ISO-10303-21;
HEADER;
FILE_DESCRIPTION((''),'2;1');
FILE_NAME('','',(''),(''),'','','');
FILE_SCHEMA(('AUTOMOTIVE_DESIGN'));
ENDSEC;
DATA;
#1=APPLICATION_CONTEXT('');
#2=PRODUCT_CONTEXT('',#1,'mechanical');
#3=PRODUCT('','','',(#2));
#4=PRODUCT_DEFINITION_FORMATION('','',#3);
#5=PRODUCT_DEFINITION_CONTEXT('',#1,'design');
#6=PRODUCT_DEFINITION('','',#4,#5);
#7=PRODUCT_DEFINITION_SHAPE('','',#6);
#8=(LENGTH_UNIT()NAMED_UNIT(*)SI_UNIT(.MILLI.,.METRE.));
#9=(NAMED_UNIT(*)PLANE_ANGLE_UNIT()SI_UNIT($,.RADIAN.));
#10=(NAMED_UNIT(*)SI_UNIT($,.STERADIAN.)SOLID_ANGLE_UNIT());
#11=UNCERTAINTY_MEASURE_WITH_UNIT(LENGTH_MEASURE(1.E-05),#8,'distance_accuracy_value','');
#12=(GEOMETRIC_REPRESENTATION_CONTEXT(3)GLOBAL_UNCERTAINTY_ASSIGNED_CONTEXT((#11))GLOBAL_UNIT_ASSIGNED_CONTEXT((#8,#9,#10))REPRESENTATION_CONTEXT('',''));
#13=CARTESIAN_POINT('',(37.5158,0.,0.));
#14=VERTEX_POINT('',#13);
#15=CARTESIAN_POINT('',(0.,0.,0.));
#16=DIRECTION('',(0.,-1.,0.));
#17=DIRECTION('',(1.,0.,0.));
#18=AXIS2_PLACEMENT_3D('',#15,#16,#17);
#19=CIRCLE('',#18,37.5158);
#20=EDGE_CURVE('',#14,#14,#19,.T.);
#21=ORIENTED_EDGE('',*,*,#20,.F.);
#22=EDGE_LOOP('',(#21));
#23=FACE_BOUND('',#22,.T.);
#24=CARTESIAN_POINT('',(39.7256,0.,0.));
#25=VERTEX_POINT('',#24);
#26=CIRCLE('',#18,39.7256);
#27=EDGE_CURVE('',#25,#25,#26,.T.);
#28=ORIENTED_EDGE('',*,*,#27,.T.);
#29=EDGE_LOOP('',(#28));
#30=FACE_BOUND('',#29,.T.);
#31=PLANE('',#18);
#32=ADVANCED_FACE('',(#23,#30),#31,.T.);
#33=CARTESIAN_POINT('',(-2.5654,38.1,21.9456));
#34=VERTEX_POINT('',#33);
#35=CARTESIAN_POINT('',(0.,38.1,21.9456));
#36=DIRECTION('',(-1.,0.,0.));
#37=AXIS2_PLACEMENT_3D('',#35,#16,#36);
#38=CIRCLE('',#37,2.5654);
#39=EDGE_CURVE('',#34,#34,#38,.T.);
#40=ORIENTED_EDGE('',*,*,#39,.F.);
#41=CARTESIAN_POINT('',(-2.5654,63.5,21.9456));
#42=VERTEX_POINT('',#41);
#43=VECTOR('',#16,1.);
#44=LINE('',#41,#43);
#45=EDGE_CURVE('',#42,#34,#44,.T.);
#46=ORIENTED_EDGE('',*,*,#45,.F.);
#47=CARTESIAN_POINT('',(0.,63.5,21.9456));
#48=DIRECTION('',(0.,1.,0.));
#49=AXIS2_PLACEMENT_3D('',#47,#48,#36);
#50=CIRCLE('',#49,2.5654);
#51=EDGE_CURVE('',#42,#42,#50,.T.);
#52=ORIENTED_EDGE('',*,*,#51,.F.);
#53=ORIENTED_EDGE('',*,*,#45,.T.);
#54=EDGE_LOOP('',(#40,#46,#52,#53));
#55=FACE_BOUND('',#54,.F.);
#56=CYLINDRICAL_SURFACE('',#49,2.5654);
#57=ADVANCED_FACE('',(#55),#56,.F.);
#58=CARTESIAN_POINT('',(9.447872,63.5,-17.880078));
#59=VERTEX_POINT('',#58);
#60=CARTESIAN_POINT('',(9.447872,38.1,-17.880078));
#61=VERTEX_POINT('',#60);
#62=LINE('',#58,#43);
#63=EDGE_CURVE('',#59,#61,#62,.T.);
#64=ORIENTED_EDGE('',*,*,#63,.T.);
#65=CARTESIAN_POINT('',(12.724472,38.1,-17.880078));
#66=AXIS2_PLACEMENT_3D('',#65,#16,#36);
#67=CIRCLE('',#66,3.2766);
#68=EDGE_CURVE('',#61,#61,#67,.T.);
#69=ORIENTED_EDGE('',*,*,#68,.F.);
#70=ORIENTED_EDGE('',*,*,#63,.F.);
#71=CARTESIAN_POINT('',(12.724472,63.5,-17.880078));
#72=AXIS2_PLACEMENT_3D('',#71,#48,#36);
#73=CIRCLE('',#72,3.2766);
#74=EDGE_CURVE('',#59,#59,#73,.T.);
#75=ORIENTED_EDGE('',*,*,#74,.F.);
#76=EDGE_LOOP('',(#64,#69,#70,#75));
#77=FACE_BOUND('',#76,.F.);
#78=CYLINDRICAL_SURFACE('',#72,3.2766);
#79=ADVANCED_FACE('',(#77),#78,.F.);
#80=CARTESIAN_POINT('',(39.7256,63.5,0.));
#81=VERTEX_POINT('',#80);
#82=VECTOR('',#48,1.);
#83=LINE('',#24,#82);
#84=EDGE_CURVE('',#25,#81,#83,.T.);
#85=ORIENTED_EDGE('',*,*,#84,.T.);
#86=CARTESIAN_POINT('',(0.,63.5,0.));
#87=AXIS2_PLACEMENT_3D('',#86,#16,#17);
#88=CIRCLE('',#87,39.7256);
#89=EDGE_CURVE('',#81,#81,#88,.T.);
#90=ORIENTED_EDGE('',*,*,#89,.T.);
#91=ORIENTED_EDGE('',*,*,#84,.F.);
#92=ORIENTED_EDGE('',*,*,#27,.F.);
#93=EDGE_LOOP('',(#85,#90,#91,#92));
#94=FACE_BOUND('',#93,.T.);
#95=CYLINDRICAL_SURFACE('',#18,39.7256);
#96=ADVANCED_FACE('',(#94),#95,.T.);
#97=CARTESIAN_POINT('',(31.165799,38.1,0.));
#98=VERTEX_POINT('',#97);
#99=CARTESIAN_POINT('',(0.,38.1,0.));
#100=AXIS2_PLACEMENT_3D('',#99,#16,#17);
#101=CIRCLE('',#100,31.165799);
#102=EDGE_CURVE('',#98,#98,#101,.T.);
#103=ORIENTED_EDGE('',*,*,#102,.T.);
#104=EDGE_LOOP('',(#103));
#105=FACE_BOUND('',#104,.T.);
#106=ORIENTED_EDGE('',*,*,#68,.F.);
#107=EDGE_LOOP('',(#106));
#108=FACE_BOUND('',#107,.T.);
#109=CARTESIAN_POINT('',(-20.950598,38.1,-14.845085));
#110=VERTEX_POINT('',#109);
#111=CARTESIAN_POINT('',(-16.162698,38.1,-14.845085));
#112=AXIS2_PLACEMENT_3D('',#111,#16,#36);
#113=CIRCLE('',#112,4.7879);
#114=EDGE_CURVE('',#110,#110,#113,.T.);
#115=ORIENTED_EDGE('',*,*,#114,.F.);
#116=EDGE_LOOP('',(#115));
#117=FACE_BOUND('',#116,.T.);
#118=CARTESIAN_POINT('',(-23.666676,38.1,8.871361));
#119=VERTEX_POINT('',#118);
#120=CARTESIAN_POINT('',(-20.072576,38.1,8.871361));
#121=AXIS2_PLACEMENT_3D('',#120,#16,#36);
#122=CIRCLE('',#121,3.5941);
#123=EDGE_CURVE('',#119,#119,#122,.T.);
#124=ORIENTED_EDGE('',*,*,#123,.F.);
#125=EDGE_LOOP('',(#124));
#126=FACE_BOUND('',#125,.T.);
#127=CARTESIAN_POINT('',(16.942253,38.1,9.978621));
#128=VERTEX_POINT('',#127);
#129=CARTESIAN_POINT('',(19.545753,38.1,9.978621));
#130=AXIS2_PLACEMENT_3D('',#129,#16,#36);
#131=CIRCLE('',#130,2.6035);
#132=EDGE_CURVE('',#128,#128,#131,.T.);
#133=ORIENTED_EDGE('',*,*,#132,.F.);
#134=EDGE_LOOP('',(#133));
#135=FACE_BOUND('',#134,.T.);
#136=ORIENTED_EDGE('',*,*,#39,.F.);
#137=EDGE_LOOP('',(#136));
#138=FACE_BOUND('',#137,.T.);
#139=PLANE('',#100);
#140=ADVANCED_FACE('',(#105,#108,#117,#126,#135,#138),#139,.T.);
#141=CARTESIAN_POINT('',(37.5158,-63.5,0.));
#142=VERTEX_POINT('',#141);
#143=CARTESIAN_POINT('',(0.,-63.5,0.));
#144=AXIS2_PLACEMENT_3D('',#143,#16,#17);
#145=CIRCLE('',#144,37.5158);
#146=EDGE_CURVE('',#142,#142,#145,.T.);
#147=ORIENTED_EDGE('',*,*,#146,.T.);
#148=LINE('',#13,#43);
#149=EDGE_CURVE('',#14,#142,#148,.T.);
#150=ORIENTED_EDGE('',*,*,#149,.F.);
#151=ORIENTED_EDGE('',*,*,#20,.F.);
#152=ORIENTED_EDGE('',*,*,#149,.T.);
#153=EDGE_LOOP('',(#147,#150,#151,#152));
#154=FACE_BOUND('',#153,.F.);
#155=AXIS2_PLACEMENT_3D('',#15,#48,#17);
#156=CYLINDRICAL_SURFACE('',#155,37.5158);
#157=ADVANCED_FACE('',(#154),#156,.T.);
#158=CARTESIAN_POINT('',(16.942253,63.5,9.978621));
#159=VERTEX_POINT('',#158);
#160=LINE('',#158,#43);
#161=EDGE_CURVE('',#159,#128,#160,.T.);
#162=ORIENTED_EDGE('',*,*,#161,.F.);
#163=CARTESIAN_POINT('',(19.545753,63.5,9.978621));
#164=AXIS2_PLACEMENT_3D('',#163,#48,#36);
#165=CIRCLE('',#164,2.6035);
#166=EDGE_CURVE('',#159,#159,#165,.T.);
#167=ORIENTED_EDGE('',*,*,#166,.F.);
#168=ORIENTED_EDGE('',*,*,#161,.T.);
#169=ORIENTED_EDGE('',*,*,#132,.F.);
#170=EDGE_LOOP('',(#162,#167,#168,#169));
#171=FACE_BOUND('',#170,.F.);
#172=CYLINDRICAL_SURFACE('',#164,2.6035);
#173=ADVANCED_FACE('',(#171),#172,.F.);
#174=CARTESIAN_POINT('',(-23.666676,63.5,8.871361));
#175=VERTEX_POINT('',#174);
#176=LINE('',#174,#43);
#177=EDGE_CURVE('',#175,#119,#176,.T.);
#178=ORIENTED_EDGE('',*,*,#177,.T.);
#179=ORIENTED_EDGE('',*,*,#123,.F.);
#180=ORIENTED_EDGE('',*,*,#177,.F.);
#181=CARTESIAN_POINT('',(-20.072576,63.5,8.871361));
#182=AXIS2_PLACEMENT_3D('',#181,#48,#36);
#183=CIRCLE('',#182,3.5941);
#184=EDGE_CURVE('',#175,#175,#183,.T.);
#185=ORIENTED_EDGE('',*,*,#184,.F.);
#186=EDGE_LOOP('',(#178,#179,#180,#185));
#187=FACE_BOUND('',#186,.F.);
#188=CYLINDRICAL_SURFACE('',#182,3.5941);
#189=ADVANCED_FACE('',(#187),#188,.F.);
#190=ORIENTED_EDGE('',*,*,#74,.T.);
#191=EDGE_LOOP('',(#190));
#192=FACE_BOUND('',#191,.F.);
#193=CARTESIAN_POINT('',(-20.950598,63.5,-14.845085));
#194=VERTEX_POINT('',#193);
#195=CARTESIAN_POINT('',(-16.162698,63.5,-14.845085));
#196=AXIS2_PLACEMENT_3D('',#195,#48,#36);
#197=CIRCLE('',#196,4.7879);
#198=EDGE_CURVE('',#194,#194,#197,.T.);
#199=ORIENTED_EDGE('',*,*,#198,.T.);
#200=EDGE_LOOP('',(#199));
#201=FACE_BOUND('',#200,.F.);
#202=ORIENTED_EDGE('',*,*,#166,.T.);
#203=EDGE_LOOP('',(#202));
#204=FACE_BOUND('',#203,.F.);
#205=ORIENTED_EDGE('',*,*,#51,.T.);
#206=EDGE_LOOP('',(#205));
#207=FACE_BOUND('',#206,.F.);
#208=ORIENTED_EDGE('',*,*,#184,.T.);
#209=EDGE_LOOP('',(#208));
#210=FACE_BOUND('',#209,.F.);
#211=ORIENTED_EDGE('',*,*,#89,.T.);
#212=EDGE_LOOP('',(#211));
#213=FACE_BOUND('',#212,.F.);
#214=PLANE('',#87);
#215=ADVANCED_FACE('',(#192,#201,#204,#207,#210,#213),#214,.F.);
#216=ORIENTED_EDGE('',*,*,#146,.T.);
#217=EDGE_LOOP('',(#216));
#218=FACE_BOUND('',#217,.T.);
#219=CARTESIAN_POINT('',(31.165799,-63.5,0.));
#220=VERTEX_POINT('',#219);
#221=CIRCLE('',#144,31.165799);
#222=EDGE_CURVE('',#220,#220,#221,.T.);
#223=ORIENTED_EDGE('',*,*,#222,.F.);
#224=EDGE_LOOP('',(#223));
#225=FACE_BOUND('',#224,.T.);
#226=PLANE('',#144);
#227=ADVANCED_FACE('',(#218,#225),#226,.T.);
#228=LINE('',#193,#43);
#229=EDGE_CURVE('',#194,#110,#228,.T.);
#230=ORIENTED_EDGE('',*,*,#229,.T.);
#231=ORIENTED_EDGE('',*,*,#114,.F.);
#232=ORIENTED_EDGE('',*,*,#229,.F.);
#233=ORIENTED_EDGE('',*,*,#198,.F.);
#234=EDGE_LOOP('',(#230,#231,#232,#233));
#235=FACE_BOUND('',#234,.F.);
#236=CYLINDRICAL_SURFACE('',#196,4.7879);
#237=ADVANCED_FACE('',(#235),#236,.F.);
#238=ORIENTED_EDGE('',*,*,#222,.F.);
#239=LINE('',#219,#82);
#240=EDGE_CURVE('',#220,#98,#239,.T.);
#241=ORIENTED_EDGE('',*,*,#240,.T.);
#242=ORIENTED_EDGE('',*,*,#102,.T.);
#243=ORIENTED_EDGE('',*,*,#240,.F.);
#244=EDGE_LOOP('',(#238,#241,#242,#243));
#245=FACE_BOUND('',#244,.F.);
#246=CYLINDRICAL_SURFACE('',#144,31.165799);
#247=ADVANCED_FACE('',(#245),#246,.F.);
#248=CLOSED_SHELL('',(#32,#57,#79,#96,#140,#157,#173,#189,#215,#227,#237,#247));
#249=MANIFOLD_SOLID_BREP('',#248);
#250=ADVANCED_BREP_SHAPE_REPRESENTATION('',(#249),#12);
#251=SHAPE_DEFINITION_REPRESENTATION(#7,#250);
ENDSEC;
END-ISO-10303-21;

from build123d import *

# Parameters (mm, degrees)
F0_R     = 37.5158
F2_DEPTH = 63.5
F1_R     = 39.7256
F3_DEPTH = 63.5
F4_R     = 2.5654
F4_R_2   = 2.6035
F4_R_3   = 3.5941
F4_R_4   = 3.2766
F4_R_5   = 4.7879
F5_DEPTH = 127.001
F6_R     = 31.165799
F6_R_2   = 4.7879
F6_R_3   = 3.2766
F6_R_4   = 3.5941
F6_R_5   = 2.6035
F6_R_6   = 2.5654
F7_DEPTH = 101.6


with BuildPart() as f2:
    # F0 (on Front) → F2 (new body)
    with BuildSketch(Plane.XZ):
        Circle(F0_R)
    extrude(amount=F2_DEPTH)

    # F1 (on Front) → F3 (join)
    with BuildSketch(Plane.XZ):
        Circle(F1_R)
    extrude(amount=-F3_DEPTH)

    # F4 (on face) → F5 (cut, through all)
    with BuildSketch(Plane(origin=(0, 63.5, 0), x_dir=(-1, 0, 0), z_dir=(0, 1, 0))):
        with Locations((0, 21.9456)):
            Circle(F4_R)
        with Locations((-19.545753, 9.978621)):
            Circle(F4_R_2)
        with Locations((20.072576, 8.871361)):
            Circle(F4_R_3)
        with Locations((-12.724472, -17.880078)):
            Circle(F4_R_4)
        with Locations((16.162698, -14.845085)):
            Circle(F4_R_5)
    extrude(amount=-F5_DEPTH, mode=Mode.SUBTRACT)

    # F6 (on face) → F7 (cut)
    with BuildSketch(Plane.XZ.offset(63.5)):
        Circle(F6_R)
        with Locations((-16.162698, -14.845085)):
            Circle(F6_R_2, mode=Mode.SUBTRACT)
        with Locations((12.724472, -17.880078)):
            Circle(F6_R_3, mode=Mode.SUBTRACT)
        with Locations((-20.072576, 8.871361)):
            Circle(F6_R_4, mode=Mode.SUBTRACT)
        with Locations((19.545753, 9.978621)):
            Circle(F6_R_5, mode=Mode.SUBTRACT)
        with Locations((0, 21.9456)):
            Circle(F6_R_6, mode=Mode.SUBTRACT)
    extrude(amount=-F7_DEPTH, mode=Mode.SUBTRACT)


solid = f2.part
